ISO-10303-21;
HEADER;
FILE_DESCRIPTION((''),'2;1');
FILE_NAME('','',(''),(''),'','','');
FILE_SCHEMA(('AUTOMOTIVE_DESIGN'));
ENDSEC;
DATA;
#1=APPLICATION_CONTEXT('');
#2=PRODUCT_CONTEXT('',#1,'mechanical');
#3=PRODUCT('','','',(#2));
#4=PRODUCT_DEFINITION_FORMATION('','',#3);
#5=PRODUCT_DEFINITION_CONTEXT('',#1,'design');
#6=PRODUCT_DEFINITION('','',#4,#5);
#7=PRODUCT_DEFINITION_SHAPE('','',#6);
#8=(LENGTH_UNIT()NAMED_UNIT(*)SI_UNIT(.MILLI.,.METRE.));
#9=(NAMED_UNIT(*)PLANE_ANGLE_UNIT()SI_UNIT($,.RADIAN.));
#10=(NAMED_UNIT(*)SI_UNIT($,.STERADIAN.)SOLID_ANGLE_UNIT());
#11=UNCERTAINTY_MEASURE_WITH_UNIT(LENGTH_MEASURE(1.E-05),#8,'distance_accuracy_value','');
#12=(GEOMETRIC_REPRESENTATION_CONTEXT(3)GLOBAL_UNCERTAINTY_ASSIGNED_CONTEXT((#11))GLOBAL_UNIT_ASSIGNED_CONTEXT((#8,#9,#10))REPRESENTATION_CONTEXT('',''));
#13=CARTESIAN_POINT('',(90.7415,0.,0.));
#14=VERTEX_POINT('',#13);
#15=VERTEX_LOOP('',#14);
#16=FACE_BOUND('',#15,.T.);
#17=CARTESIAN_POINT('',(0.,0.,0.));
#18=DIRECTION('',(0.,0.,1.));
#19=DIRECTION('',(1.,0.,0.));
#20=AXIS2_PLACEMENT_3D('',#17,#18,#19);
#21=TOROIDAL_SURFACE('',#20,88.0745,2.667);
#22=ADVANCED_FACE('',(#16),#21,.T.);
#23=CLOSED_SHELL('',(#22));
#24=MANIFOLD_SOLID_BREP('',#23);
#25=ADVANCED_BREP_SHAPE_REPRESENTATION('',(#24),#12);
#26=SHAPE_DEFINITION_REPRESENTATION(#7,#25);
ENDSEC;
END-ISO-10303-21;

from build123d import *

# Parameters (mm, degrees)
SKETCH1_R = 2.667


with BuildPart() as part:
    # Sketch1 → Revolve1 (revolve)
    with BuildSketch(Plane(origin=(0, 0, 0), x_dir=(0, -1, 0), z_dir=(1, 0, 0)), mode=Mode.PRIVATE) as revolve1_sk:
        with Locations((88.0745, 0)):
            Circle(SKETCH1_R)
    revolve(revolve1_sk.sketch.rotate(Axis((0, 0, 2.667), (0, 0, -1)), 270), axis=Axis((0, 0, 2.667), (0, 0, -1)))


solid = part.part
